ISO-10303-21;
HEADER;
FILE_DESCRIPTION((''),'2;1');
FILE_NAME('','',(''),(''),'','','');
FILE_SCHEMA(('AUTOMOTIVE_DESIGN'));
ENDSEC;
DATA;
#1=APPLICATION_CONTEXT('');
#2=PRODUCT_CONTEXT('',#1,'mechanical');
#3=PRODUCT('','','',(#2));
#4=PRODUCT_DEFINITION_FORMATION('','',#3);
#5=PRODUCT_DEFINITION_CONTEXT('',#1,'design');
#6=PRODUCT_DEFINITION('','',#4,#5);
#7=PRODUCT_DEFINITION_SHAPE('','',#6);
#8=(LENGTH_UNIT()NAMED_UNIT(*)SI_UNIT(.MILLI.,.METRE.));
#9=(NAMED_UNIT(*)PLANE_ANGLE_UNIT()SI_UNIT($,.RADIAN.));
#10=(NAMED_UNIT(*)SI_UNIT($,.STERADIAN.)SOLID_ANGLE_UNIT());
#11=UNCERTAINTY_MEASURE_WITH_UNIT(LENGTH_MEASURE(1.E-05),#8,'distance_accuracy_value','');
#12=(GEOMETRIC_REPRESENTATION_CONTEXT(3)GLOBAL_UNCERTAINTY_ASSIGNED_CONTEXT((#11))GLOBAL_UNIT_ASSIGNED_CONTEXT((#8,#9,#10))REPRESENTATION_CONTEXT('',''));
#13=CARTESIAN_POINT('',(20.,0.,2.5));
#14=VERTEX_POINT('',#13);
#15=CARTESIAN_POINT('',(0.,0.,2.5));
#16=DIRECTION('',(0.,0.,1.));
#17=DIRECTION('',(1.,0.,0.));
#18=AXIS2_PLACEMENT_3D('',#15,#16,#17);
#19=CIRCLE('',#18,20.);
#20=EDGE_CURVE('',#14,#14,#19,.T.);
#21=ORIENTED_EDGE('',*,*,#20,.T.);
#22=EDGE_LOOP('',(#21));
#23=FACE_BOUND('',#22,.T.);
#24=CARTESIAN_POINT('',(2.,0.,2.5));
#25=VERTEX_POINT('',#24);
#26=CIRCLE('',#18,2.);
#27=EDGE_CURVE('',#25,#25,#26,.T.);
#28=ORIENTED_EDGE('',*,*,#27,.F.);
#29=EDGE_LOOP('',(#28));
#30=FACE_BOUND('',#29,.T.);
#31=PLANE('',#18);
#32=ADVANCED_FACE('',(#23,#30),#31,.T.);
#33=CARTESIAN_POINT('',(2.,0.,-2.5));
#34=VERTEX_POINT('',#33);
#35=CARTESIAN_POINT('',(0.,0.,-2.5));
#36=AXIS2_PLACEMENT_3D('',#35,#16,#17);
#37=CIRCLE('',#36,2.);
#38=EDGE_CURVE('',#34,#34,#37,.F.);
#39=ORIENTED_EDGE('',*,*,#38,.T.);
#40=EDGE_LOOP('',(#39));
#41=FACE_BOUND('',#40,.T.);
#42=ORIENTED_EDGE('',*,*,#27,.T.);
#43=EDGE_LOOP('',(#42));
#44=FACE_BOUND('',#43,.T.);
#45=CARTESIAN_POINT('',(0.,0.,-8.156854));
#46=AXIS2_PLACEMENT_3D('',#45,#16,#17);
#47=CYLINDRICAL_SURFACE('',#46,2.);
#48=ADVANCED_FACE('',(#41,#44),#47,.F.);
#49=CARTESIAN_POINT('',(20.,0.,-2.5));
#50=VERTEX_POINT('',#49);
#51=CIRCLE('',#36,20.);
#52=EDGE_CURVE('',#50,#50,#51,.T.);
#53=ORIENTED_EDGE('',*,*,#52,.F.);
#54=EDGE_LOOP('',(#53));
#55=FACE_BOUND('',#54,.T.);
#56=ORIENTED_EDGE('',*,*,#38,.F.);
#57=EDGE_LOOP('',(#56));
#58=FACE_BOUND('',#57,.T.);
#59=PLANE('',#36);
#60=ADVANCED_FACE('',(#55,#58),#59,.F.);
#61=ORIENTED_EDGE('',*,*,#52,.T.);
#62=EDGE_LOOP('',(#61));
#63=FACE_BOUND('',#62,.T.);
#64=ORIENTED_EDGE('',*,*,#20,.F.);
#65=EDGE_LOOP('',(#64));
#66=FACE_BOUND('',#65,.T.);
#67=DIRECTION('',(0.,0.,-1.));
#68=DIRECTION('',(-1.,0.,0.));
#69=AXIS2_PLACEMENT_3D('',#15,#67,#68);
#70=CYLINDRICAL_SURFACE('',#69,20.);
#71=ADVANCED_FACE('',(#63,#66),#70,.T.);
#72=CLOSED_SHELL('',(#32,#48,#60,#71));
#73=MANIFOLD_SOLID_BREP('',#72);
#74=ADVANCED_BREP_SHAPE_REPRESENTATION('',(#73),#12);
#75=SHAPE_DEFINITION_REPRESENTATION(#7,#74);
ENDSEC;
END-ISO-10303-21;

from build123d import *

# Parameters (mm, degrees)
SKETCH1_R           = 20
BOSS_EXTRUDE1_DEPTH = 2.5
SKETCH2_R           = 2
CUT_EXTRUDE1_DEPTH  = 5


with BuildPart() as part:
    # Sketch1 → Boss-Extrude1 (new, symmetric)
    with BuildSketch(Plane.XY):
        Circle(SKETCH1_R)
    extrude(amount=BOSS_EXTRUDE1_DEPTH, both=True)

    # Sketch2 → Cut-Extrude1 (cut)
    with BuildSketch(Plane.XY.offset(2.5)):
        Circle(SKETCH2_R)
    extrude(amount=-CUT_EXTRUDE1_DEPTH, mode=Mode.SUBTRACT)


solid = part.part
